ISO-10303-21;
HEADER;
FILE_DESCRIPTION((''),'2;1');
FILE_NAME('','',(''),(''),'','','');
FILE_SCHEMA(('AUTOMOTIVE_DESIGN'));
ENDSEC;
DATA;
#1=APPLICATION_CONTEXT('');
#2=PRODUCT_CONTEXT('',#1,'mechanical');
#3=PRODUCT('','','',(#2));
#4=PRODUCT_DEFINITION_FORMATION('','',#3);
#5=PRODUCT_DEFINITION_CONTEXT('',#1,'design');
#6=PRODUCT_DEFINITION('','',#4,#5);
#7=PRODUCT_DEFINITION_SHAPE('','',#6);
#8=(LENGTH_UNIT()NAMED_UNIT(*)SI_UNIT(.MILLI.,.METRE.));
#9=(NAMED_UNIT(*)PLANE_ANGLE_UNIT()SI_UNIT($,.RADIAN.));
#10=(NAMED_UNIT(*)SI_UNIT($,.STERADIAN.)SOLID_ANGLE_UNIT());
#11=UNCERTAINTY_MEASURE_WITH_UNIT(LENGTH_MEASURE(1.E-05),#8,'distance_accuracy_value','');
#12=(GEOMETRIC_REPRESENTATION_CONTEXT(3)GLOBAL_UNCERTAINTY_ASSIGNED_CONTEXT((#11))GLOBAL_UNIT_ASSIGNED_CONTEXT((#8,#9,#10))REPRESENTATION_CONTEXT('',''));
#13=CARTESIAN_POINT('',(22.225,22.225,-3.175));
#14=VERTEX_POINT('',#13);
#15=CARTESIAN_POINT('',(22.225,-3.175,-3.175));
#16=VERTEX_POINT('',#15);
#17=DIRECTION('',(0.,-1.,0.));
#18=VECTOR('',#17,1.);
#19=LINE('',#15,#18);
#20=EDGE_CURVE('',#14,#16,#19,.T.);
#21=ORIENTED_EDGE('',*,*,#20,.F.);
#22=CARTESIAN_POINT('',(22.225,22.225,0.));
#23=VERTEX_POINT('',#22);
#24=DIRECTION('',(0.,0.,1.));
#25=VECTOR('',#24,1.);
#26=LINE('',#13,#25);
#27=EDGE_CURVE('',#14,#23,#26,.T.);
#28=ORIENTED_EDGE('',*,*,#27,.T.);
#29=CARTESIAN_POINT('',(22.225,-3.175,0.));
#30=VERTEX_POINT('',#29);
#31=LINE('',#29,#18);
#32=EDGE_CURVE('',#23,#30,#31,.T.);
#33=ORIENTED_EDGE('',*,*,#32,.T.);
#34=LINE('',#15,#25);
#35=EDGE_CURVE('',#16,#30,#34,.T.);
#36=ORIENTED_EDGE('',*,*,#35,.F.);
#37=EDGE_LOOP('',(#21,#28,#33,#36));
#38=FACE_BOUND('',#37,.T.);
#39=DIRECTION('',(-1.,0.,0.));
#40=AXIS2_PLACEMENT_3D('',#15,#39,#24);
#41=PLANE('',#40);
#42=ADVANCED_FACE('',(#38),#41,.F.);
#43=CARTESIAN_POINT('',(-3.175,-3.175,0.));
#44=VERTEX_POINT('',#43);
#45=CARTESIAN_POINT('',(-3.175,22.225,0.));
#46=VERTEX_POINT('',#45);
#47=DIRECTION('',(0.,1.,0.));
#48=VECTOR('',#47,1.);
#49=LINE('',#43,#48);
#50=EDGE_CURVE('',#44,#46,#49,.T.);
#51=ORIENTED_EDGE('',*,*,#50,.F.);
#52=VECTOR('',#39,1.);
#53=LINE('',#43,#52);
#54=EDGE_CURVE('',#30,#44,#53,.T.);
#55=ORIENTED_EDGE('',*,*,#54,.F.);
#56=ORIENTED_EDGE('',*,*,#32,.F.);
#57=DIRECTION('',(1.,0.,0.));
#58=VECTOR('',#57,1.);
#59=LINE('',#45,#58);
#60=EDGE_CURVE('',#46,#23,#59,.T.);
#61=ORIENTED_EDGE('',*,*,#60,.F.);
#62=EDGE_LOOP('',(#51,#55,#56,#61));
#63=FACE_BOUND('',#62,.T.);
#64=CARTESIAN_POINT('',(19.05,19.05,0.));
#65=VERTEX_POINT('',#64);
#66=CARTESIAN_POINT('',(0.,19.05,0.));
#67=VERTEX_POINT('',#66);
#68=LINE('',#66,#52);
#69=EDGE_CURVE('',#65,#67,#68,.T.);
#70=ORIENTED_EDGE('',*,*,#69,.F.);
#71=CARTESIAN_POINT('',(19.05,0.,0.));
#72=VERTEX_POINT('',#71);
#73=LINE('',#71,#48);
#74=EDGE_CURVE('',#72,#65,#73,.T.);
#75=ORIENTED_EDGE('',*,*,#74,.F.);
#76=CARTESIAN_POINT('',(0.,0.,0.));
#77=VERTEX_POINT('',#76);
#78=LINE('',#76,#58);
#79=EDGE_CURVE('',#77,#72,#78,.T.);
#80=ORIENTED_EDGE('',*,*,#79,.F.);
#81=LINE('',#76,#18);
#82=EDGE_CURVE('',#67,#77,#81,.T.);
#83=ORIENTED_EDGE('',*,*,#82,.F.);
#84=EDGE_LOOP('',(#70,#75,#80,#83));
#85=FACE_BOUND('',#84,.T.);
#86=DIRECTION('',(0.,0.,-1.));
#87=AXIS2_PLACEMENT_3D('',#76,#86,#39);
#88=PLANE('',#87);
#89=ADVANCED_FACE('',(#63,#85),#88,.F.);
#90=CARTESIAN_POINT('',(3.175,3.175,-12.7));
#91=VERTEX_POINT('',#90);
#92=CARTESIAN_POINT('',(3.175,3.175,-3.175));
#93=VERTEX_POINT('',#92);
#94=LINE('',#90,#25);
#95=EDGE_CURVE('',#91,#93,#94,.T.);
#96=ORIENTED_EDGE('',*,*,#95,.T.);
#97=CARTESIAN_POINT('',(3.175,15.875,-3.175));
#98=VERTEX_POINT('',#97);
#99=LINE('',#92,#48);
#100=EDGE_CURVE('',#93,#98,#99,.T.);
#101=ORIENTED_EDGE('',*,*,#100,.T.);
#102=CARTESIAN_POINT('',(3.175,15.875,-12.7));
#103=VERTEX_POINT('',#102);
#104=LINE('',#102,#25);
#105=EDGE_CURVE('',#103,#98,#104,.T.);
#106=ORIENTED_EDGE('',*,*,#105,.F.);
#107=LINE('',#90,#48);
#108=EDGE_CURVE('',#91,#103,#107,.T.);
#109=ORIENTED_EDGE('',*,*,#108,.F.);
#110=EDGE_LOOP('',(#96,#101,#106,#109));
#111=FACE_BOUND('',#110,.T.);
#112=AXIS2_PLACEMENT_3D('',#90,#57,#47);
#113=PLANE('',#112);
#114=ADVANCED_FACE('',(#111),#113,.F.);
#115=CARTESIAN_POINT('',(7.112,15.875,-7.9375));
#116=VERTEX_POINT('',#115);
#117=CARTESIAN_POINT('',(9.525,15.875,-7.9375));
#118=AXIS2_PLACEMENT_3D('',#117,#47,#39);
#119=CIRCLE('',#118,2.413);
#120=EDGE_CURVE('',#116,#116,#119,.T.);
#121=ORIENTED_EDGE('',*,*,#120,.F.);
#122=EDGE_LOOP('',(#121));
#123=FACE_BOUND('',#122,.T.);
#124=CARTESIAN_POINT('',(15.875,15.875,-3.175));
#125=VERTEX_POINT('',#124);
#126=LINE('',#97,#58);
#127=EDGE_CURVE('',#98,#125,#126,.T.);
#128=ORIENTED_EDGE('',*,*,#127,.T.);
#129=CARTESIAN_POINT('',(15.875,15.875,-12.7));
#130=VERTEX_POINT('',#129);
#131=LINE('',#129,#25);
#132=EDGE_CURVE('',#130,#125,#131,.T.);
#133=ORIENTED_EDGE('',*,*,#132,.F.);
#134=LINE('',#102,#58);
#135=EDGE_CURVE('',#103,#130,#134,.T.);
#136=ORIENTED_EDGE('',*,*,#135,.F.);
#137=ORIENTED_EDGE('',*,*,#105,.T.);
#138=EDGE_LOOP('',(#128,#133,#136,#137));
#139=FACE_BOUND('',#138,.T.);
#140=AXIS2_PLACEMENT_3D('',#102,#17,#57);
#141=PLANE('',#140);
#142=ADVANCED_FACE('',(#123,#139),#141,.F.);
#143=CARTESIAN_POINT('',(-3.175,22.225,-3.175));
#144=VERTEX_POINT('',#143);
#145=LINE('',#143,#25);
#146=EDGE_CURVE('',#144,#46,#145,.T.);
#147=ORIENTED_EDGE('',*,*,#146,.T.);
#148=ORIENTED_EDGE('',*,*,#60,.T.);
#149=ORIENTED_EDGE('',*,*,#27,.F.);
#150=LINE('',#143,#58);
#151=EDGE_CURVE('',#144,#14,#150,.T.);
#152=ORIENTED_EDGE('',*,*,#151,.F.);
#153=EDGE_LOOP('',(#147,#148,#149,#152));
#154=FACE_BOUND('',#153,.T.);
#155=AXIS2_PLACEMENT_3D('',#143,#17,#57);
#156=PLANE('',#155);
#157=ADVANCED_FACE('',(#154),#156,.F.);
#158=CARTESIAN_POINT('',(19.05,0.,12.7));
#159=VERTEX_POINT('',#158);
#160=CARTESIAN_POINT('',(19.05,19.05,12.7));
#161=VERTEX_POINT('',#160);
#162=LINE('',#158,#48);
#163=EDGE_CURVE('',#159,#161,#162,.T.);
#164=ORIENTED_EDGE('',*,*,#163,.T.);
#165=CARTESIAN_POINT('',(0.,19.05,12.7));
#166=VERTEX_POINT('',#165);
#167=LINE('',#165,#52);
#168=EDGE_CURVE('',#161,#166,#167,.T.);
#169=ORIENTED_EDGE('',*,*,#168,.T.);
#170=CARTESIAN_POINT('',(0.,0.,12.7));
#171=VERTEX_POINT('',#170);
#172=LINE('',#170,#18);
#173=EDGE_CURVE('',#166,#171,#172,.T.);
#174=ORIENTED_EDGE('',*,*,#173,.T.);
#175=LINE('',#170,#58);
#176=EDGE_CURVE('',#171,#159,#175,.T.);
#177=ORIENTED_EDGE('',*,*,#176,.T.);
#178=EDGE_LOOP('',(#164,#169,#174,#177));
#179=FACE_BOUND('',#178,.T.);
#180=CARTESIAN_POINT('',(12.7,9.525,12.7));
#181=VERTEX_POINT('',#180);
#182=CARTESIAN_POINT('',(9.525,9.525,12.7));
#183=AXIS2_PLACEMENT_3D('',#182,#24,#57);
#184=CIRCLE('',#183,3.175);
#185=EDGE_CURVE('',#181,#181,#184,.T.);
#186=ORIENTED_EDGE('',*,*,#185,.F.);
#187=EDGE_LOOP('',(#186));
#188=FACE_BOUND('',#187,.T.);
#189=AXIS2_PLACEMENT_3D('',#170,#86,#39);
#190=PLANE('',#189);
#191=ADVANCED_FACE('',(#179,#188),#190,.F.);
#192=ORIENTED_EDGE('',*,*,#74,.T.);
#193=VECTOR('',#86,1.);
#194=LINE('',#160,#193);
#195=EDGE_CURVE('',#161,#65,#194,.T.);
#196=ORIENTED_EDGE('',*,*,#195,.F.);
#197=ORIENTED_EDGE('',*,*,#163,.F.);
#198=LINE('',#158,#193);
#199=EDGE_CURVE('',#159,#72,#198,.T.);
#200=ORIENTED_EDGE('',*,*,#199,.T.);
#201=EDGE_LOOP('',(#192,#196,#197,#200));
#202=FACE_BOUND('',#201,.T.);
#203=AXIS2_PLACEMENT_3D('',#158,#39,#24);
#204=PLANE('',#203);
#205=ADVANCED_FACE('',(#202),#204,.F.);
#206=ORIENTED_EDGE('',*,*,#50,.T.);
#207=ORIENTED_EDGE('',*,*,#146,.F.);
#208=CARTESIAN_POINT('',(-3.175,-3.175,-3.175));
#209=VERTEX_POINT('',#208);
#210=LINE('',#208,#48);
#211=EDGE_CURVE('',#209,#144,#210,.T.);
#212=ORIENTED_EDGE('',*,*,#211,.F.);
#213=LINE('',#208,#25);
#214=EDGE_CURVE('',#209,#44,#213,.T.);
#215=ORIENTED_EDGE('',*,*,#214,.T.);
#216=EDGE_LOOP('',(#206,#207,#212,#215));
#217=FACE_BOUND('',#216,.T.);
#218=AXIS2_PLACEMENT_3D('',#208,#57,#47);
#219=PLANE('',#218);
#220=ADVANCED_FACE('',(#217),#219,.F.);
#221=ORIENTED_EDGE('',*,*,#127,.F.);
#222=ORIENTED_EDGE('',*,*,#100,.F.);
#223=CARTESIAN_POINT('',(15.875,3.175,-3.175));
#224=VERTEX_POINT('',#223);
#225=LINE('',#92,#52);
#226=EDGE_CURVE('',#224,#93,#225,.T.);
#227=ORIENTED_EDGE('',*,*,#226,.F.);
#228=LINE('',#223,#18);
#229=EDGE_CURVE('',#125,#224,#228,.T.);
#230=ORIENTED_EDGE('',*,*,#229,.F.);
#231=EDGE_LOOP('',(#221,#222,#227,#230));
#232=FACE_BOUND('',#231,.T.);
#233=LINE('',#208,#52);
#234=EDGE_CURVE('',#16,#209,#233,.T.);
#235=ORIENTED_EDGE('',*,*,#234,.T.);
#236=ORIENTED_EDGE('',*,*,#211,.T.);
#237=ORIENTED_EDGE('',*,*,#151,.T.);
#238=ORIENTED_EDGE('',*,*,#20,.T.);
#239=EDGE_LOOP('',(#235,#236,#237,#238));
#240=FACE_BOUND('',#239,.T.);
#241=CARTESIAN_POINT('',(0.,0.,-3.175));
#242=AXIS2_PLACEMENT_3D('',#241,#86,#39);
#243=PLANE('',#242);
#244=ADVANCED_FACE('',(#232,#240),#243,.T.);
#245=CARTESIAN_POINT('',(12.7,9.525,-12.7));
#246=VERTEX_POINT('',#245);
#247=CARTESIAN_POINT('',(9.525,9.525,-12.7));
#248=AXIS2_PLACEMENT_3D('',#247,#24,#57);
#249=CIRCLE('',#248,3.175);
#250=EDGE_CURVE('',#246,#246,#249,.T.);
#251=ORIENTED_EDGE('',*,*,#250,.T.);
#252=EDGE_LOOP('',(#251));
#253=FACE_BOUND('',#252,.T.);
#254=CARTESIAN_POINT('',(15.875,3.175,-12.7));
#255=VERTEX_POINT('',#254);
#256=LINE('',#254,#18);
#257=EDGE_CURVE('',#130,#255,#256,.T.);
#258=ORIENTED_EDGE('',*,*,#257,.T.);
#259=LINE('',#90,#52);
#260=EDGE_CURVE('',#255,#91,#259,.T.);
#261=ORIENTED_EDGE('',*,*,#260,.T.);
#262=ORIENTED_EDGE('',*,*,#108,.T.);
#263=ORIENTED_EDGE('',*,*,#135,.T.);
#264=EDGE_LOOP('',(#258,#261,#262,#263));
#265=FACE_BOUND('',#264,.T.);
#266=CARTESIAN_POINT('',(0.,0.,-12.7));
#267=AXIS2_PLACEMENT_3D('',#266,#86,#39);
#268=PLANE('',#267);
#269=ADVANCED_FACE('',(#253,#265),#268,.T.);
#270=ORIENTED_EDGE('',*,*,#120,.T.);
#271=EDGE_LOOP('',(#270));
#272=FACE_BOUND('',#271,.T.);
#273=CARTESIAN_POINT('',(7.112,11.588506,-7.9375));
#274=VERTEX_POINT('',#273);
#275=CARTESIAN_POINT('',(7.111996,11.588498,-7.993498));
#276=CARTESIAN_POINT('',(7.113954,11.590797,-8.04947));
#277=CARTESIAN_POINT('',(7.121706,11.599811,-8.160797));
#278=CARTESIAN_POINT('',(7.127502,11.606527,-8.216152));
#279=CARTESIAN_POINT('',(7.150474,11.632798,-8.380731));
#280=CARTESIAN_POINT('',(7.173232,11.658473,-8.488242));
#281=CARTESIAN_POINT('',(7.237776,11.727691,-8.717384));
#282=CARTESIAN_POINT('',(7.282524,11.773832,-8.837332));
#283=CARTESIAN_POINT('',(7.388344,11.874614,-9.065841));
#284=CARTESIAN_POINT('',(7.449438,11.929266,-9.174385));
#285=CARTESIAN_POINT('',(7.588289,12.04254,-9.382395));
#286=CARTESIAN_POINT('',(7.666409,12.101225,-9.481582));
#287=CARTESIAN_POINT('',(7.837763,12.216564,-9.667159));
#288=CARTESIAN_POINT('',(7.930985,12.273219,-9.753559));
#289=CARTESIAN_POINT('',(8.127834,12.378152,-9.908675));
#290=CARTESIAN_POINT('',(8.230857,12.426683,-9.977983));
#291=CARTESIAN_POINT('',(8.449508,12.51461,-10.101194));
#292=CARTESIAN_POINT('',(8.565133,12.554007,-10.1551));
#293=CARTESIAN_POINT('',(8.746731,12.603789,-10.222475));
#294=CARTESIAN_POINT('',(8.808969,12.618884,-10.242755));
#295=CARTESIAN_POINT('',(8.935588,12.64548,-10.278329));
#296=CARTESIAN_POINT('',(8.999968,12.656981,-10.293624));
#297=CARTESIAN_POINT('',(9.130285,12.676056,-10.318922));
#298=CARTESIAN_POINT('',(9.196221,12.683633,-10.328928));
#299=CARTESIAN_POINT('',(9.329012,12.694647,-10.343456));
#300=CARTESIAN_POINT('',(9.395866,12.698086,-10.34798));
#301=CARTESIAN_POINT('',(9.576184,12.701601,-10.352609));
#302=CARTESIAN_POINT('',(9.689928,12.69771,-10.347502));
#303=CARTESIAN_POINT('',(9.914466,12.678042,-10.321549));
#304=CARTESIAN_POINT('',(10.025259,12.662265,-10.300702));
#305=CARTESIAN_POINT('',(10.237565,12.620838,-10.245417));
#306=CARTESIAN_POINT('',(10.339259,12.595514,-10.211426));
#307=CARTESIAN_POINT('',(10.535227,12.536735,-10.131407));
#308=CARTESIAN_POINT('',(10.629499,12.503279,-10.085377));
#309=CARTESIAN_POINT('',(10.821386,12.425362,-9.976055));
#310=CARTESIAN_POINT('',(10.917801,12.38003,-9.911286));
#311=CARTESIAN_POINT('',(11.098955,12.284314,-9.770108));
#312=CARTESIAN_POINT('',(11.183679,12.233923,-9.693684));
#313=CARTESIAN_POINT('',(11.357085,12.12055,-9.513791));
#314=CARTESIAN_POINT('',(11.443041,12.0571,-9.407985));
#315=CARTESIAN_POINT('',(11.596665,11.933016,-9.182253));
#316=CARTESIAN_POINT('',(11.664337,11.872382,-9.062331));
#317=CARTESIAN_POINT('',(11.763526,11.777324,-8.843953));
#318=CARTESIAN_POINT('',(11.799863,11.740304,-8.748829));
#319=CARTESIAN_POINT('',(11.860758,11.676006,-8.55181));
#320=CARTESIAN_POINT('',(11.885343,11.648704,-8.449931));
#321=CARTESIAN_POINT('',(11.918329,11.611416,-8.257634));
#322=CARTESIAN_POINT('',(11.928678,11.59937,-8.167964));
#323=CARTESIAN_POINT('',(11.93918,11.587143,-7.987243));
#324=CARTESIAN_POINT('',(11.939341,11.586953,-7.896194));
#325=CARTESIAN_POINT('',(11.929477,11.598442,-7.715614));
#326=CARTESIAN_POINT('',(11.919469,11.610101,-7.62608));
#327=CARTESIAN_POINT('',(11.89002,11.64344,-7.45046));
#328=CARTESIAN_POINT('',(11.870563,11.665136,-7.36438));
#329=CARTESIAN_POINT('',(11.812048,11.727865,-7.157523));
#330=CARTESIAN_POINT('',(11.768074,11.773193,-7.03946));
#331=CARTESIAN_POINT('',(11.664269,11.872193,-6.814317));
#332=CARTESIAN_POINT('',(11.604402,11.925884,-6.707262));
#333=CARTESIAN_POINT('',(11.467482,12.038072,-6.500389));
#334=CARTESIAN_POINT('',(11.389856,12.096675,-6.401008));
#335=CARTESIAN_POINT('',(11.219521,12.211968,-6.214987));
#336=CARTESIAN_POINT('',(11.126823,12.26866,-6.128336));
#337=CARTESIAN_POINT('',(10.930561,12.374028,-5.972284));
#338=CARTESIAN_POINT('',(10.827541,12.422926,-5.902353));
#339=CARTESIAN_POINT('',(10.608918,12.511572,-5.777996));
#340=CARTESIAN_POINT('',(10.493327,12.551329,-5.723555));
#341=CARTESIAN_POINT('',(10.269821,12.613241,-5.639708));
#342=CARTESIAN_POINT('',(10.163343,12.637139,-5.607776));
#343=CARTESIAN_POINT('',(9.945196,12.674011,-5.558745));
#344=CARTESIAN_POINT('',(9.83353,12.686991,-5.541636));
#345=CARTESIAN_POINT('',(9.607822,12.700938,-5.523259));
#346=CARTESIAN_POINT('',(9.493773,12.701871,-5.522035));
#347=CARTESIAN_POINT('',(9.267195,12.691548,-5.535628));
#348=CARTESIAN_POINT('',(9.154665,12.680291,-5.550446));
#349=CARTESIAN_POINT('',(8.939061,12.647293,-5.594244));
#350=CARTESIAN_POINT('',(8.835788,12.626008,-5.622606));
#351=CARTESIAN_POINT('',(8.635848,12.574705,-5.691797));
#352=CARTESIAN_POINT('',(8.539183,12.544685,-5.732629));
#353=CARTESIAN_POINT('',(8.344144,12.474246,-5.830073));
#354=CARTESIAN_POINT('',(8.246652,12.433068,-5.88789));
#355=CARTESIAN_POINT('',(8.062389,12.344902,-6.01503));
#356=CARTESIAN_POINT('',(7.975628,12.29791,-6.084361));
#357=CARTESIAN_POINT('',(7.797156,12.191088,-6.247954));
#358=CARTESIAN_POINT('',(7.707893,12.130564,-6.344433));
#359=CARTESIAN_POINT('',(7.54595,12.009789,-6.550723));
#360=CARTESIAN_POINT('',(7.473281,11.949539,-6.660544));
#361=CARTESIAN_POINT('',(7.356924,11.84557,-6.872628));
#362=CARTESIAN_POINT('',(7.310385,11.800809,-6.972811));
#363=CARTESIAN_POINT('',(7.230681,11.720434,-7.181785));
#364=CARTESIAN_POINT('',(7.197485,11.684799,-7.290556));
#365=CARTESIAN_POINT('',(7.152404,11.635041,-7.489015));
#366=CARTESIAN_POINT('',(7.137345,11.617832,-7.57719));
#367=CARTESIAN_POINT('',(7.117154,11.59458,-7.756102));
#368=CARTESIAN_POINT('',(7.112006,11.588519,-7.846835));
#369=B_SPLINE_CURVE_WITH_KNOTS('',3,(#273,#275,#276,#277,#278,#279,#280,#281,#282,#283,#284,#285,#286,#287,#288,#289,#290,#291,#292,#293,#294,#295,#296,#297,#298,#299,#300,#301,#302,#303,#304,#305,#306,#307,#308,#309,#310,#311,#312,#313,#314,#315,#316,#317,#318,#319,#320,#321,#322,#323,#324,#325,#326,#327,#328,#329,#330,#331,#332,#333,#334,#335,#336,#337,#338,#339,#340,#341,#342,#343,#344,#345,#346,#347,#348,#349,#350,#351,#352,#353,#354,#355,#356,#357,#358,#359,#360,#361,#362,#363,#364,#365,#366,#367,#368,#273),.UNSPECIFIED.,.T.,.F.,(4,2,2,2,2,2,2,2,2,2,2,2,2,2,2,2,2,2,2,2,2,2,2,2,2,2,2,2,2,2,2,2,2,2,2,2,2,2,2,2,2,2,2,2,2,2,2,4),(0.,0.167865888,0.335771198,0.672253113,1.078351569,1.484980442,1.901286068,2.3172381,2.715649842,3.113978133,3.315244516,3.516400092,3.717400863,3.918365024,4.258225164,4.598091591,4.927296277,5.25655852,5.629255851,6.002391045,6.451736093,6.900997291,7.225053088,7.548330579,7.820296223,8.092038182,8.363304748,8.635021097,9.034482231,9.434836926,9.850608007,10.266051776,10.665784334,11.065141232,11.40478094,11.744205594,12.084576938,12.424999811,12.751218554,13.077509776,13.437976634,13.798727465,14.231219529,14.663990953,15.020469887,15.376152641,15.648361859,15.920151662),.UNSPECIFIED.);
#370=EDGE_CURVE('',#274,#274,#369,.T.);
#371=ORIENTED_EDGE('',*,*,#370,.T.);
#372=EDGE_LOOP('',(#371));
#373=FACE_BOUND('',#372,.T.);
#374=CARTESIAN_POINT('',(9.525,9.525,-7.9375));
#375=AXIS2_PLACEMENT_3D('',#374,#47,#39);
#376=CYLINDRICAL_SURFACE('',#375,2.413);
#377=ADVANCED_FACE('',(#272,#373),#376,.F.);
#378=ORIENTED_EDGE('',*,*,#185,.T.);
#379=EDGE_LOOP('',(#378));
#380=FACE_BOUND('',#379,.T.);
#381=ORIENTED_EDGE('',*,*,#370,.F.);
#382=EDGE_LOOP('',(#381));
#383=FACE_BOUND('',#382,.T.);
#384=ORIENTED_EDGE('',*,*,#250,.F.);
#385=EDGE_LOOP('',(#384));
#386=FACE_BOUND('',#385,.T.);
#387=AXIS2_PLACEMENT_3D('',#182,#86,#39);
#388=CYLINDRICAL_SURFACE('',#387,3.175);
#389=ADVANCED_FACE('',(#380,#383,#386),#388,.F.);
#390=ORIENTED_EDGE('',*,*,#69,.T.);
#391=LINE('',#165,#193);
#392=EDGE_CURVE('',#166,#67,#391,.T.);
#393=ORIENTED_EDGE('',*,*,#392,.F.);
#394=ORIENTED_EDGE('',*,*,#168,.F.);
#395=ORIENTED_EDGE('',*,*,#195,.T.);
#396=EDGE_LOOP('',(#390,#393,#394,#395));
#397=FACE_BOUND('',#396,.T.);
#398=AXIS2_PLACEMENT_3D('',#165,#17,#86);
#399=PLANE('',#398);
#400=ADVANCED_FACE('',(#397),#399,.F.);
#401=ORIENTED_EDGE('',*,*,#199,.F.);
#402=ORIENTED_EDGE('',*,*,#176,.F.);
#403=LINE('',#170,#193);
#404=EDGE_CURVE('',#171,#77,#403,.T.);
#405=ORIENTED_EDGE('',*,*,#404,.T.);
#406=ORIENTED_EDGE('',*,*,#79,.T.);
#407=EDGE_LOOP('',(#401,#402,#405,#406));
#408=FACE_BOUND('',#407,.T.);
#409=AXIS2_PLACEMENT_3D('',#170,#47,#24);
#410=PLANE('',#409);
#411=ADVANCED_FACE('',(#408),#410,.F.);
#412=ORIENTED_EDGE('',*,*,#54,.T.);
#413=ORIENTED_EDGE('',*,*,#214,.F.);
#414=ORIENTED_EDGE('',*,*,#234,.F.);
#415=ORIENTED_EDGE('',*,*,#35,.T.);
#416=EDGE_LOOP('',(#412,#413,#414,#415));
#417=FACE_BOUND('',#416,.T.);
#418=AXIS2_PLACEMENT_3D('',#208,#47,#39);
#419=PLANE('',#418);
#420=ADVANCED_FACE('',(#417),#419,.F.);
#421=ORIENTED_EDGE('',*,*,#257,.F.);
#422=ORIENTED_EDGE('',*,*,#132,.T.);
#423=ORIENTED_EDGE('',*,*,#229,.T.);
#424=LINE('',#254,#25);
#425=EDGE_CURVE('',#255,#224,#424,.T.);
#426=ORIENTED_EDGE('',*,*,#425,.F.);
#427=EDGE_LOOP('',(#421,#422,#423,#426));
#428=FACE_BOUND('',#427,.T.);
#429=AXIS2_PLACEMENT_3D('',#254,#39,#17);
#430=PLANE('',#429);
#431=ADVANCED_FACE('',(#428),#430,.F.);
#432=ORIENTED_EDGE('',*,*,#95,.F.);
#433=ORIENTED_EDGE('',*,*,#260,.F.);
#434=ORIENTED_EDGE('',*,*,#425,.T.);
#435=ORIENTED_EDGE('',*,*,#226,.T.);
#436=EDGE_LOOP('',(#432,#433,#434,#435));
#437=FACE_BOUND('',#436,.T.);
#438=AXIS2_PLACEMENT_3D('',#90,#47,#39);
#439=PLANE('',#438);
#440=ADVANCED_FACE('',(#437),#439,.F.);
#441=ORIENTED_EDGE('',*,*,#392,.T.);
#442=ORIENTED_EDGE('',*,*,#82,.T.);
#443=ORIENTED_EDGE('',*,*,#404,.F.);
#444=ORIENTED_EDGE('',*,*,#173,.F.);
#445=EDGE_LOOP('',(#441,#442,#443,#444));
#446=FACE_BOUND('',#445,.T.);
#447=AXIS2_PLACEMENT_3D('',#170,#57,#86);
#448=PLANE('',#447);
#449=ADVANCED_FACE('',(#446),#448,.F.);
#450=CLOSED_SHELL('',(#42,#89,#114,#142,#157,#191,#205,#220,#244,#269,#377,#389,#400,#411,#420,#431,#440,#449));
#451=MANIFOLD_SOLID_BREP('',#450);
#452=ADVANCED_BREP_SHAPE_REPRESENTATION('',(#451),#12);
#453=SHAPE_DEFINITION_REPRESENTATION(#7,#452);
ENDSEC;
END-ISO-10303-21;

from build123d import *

# Parameters (mm, degrees)
SKETCH2_W           = 19.05
SKETCH2_H           = 19.05
SKETCH2_R           = 3.175
BOSS_EXTRUDE1_DEPTH = 12.7
SKETCH3_W           = 25.4
SKETCH3_H           = 25.4
BOSS_EXTRUDE2_DEPTH = 3.175
SKETCH4_W           = 12.7
SKETCH4_H           = 12.7
BOSS_EXTRUDE3_DEPTH = 9.525
SKETCH5_R           = 3.175
CUT_EXTRUDE1_DEPTH  = 41.411152545
SKETCH6_R           = 2.413
CUT_EXTRUDE2_DEPTH  = 6.35


with BuildPart() as part:
    # Sketch2 → Boss-Extrude1 (new body)
    with BuildSketch(Plane.XY):
        with Locations((9.525, 9.525)):
            Rectangle(SKETCH2_W, SKETCH2_H)
        with Locations((9.525, 9.525)):
            Circle(SKETCH2_R, mode=Mode.SUBTRACT)
    extrude(amount=BOSS_EXTRUDE1_DEPTH)

    # Sketch3 → Boss-Extrude2 (add)
    with BuildSketch(Plane(origin=(0, 0, 0), x_dir=(-1, 0, 0), z_dir=(0, 0, -1))):
        with Locations((-9.525, 9.525)):
            Rectangle(SKETCH3_W, SKETCH3_H)
    extrude(amount=BOSS_EXTRUDE2_DEPTH)

    # Sketch4 → Boss-Extrude3 (add)
    with BuildSketch(Plane(origin=(0, 0, -3.175), x_dir=(-1, 0, 0), z_dir=(0, 0, -1))):
        with Locations((-9.525, 9.525)):
            Rectangle(SKETCH4_W, SKETCH4_H)
    extrude(amount=BOSS_EXTRUDE3_DEPTH)

    # Sketch5 → Cut-Extrude1 (cut, through all)
    with BuildSketch(Plane.XY.offset(12.7)):
        with Locations((9.525, 9.525)):
            Circle(SKETCH5_R)
    extrude(amount=-CUT_EXTRUDE1_DEPTH, mode=Mode.SUBTRACT)

    # Sketch6 → Cut-Extrude2 (cut)
    with BuildSketch(Plane(origin=(0, 15.875, 0), x_dir=(1, 0, 0), z_dir=(0, 1, 0))):
        with Locations(Location((9.525, 7.9375, 0), (0, 0, 180))):
            Circle(SKETCH6_R)
    extrude(amount=-CUT_EXTRUDE2_DEPTH, mode=Mode.SUBTRACT)


solid = part.part
